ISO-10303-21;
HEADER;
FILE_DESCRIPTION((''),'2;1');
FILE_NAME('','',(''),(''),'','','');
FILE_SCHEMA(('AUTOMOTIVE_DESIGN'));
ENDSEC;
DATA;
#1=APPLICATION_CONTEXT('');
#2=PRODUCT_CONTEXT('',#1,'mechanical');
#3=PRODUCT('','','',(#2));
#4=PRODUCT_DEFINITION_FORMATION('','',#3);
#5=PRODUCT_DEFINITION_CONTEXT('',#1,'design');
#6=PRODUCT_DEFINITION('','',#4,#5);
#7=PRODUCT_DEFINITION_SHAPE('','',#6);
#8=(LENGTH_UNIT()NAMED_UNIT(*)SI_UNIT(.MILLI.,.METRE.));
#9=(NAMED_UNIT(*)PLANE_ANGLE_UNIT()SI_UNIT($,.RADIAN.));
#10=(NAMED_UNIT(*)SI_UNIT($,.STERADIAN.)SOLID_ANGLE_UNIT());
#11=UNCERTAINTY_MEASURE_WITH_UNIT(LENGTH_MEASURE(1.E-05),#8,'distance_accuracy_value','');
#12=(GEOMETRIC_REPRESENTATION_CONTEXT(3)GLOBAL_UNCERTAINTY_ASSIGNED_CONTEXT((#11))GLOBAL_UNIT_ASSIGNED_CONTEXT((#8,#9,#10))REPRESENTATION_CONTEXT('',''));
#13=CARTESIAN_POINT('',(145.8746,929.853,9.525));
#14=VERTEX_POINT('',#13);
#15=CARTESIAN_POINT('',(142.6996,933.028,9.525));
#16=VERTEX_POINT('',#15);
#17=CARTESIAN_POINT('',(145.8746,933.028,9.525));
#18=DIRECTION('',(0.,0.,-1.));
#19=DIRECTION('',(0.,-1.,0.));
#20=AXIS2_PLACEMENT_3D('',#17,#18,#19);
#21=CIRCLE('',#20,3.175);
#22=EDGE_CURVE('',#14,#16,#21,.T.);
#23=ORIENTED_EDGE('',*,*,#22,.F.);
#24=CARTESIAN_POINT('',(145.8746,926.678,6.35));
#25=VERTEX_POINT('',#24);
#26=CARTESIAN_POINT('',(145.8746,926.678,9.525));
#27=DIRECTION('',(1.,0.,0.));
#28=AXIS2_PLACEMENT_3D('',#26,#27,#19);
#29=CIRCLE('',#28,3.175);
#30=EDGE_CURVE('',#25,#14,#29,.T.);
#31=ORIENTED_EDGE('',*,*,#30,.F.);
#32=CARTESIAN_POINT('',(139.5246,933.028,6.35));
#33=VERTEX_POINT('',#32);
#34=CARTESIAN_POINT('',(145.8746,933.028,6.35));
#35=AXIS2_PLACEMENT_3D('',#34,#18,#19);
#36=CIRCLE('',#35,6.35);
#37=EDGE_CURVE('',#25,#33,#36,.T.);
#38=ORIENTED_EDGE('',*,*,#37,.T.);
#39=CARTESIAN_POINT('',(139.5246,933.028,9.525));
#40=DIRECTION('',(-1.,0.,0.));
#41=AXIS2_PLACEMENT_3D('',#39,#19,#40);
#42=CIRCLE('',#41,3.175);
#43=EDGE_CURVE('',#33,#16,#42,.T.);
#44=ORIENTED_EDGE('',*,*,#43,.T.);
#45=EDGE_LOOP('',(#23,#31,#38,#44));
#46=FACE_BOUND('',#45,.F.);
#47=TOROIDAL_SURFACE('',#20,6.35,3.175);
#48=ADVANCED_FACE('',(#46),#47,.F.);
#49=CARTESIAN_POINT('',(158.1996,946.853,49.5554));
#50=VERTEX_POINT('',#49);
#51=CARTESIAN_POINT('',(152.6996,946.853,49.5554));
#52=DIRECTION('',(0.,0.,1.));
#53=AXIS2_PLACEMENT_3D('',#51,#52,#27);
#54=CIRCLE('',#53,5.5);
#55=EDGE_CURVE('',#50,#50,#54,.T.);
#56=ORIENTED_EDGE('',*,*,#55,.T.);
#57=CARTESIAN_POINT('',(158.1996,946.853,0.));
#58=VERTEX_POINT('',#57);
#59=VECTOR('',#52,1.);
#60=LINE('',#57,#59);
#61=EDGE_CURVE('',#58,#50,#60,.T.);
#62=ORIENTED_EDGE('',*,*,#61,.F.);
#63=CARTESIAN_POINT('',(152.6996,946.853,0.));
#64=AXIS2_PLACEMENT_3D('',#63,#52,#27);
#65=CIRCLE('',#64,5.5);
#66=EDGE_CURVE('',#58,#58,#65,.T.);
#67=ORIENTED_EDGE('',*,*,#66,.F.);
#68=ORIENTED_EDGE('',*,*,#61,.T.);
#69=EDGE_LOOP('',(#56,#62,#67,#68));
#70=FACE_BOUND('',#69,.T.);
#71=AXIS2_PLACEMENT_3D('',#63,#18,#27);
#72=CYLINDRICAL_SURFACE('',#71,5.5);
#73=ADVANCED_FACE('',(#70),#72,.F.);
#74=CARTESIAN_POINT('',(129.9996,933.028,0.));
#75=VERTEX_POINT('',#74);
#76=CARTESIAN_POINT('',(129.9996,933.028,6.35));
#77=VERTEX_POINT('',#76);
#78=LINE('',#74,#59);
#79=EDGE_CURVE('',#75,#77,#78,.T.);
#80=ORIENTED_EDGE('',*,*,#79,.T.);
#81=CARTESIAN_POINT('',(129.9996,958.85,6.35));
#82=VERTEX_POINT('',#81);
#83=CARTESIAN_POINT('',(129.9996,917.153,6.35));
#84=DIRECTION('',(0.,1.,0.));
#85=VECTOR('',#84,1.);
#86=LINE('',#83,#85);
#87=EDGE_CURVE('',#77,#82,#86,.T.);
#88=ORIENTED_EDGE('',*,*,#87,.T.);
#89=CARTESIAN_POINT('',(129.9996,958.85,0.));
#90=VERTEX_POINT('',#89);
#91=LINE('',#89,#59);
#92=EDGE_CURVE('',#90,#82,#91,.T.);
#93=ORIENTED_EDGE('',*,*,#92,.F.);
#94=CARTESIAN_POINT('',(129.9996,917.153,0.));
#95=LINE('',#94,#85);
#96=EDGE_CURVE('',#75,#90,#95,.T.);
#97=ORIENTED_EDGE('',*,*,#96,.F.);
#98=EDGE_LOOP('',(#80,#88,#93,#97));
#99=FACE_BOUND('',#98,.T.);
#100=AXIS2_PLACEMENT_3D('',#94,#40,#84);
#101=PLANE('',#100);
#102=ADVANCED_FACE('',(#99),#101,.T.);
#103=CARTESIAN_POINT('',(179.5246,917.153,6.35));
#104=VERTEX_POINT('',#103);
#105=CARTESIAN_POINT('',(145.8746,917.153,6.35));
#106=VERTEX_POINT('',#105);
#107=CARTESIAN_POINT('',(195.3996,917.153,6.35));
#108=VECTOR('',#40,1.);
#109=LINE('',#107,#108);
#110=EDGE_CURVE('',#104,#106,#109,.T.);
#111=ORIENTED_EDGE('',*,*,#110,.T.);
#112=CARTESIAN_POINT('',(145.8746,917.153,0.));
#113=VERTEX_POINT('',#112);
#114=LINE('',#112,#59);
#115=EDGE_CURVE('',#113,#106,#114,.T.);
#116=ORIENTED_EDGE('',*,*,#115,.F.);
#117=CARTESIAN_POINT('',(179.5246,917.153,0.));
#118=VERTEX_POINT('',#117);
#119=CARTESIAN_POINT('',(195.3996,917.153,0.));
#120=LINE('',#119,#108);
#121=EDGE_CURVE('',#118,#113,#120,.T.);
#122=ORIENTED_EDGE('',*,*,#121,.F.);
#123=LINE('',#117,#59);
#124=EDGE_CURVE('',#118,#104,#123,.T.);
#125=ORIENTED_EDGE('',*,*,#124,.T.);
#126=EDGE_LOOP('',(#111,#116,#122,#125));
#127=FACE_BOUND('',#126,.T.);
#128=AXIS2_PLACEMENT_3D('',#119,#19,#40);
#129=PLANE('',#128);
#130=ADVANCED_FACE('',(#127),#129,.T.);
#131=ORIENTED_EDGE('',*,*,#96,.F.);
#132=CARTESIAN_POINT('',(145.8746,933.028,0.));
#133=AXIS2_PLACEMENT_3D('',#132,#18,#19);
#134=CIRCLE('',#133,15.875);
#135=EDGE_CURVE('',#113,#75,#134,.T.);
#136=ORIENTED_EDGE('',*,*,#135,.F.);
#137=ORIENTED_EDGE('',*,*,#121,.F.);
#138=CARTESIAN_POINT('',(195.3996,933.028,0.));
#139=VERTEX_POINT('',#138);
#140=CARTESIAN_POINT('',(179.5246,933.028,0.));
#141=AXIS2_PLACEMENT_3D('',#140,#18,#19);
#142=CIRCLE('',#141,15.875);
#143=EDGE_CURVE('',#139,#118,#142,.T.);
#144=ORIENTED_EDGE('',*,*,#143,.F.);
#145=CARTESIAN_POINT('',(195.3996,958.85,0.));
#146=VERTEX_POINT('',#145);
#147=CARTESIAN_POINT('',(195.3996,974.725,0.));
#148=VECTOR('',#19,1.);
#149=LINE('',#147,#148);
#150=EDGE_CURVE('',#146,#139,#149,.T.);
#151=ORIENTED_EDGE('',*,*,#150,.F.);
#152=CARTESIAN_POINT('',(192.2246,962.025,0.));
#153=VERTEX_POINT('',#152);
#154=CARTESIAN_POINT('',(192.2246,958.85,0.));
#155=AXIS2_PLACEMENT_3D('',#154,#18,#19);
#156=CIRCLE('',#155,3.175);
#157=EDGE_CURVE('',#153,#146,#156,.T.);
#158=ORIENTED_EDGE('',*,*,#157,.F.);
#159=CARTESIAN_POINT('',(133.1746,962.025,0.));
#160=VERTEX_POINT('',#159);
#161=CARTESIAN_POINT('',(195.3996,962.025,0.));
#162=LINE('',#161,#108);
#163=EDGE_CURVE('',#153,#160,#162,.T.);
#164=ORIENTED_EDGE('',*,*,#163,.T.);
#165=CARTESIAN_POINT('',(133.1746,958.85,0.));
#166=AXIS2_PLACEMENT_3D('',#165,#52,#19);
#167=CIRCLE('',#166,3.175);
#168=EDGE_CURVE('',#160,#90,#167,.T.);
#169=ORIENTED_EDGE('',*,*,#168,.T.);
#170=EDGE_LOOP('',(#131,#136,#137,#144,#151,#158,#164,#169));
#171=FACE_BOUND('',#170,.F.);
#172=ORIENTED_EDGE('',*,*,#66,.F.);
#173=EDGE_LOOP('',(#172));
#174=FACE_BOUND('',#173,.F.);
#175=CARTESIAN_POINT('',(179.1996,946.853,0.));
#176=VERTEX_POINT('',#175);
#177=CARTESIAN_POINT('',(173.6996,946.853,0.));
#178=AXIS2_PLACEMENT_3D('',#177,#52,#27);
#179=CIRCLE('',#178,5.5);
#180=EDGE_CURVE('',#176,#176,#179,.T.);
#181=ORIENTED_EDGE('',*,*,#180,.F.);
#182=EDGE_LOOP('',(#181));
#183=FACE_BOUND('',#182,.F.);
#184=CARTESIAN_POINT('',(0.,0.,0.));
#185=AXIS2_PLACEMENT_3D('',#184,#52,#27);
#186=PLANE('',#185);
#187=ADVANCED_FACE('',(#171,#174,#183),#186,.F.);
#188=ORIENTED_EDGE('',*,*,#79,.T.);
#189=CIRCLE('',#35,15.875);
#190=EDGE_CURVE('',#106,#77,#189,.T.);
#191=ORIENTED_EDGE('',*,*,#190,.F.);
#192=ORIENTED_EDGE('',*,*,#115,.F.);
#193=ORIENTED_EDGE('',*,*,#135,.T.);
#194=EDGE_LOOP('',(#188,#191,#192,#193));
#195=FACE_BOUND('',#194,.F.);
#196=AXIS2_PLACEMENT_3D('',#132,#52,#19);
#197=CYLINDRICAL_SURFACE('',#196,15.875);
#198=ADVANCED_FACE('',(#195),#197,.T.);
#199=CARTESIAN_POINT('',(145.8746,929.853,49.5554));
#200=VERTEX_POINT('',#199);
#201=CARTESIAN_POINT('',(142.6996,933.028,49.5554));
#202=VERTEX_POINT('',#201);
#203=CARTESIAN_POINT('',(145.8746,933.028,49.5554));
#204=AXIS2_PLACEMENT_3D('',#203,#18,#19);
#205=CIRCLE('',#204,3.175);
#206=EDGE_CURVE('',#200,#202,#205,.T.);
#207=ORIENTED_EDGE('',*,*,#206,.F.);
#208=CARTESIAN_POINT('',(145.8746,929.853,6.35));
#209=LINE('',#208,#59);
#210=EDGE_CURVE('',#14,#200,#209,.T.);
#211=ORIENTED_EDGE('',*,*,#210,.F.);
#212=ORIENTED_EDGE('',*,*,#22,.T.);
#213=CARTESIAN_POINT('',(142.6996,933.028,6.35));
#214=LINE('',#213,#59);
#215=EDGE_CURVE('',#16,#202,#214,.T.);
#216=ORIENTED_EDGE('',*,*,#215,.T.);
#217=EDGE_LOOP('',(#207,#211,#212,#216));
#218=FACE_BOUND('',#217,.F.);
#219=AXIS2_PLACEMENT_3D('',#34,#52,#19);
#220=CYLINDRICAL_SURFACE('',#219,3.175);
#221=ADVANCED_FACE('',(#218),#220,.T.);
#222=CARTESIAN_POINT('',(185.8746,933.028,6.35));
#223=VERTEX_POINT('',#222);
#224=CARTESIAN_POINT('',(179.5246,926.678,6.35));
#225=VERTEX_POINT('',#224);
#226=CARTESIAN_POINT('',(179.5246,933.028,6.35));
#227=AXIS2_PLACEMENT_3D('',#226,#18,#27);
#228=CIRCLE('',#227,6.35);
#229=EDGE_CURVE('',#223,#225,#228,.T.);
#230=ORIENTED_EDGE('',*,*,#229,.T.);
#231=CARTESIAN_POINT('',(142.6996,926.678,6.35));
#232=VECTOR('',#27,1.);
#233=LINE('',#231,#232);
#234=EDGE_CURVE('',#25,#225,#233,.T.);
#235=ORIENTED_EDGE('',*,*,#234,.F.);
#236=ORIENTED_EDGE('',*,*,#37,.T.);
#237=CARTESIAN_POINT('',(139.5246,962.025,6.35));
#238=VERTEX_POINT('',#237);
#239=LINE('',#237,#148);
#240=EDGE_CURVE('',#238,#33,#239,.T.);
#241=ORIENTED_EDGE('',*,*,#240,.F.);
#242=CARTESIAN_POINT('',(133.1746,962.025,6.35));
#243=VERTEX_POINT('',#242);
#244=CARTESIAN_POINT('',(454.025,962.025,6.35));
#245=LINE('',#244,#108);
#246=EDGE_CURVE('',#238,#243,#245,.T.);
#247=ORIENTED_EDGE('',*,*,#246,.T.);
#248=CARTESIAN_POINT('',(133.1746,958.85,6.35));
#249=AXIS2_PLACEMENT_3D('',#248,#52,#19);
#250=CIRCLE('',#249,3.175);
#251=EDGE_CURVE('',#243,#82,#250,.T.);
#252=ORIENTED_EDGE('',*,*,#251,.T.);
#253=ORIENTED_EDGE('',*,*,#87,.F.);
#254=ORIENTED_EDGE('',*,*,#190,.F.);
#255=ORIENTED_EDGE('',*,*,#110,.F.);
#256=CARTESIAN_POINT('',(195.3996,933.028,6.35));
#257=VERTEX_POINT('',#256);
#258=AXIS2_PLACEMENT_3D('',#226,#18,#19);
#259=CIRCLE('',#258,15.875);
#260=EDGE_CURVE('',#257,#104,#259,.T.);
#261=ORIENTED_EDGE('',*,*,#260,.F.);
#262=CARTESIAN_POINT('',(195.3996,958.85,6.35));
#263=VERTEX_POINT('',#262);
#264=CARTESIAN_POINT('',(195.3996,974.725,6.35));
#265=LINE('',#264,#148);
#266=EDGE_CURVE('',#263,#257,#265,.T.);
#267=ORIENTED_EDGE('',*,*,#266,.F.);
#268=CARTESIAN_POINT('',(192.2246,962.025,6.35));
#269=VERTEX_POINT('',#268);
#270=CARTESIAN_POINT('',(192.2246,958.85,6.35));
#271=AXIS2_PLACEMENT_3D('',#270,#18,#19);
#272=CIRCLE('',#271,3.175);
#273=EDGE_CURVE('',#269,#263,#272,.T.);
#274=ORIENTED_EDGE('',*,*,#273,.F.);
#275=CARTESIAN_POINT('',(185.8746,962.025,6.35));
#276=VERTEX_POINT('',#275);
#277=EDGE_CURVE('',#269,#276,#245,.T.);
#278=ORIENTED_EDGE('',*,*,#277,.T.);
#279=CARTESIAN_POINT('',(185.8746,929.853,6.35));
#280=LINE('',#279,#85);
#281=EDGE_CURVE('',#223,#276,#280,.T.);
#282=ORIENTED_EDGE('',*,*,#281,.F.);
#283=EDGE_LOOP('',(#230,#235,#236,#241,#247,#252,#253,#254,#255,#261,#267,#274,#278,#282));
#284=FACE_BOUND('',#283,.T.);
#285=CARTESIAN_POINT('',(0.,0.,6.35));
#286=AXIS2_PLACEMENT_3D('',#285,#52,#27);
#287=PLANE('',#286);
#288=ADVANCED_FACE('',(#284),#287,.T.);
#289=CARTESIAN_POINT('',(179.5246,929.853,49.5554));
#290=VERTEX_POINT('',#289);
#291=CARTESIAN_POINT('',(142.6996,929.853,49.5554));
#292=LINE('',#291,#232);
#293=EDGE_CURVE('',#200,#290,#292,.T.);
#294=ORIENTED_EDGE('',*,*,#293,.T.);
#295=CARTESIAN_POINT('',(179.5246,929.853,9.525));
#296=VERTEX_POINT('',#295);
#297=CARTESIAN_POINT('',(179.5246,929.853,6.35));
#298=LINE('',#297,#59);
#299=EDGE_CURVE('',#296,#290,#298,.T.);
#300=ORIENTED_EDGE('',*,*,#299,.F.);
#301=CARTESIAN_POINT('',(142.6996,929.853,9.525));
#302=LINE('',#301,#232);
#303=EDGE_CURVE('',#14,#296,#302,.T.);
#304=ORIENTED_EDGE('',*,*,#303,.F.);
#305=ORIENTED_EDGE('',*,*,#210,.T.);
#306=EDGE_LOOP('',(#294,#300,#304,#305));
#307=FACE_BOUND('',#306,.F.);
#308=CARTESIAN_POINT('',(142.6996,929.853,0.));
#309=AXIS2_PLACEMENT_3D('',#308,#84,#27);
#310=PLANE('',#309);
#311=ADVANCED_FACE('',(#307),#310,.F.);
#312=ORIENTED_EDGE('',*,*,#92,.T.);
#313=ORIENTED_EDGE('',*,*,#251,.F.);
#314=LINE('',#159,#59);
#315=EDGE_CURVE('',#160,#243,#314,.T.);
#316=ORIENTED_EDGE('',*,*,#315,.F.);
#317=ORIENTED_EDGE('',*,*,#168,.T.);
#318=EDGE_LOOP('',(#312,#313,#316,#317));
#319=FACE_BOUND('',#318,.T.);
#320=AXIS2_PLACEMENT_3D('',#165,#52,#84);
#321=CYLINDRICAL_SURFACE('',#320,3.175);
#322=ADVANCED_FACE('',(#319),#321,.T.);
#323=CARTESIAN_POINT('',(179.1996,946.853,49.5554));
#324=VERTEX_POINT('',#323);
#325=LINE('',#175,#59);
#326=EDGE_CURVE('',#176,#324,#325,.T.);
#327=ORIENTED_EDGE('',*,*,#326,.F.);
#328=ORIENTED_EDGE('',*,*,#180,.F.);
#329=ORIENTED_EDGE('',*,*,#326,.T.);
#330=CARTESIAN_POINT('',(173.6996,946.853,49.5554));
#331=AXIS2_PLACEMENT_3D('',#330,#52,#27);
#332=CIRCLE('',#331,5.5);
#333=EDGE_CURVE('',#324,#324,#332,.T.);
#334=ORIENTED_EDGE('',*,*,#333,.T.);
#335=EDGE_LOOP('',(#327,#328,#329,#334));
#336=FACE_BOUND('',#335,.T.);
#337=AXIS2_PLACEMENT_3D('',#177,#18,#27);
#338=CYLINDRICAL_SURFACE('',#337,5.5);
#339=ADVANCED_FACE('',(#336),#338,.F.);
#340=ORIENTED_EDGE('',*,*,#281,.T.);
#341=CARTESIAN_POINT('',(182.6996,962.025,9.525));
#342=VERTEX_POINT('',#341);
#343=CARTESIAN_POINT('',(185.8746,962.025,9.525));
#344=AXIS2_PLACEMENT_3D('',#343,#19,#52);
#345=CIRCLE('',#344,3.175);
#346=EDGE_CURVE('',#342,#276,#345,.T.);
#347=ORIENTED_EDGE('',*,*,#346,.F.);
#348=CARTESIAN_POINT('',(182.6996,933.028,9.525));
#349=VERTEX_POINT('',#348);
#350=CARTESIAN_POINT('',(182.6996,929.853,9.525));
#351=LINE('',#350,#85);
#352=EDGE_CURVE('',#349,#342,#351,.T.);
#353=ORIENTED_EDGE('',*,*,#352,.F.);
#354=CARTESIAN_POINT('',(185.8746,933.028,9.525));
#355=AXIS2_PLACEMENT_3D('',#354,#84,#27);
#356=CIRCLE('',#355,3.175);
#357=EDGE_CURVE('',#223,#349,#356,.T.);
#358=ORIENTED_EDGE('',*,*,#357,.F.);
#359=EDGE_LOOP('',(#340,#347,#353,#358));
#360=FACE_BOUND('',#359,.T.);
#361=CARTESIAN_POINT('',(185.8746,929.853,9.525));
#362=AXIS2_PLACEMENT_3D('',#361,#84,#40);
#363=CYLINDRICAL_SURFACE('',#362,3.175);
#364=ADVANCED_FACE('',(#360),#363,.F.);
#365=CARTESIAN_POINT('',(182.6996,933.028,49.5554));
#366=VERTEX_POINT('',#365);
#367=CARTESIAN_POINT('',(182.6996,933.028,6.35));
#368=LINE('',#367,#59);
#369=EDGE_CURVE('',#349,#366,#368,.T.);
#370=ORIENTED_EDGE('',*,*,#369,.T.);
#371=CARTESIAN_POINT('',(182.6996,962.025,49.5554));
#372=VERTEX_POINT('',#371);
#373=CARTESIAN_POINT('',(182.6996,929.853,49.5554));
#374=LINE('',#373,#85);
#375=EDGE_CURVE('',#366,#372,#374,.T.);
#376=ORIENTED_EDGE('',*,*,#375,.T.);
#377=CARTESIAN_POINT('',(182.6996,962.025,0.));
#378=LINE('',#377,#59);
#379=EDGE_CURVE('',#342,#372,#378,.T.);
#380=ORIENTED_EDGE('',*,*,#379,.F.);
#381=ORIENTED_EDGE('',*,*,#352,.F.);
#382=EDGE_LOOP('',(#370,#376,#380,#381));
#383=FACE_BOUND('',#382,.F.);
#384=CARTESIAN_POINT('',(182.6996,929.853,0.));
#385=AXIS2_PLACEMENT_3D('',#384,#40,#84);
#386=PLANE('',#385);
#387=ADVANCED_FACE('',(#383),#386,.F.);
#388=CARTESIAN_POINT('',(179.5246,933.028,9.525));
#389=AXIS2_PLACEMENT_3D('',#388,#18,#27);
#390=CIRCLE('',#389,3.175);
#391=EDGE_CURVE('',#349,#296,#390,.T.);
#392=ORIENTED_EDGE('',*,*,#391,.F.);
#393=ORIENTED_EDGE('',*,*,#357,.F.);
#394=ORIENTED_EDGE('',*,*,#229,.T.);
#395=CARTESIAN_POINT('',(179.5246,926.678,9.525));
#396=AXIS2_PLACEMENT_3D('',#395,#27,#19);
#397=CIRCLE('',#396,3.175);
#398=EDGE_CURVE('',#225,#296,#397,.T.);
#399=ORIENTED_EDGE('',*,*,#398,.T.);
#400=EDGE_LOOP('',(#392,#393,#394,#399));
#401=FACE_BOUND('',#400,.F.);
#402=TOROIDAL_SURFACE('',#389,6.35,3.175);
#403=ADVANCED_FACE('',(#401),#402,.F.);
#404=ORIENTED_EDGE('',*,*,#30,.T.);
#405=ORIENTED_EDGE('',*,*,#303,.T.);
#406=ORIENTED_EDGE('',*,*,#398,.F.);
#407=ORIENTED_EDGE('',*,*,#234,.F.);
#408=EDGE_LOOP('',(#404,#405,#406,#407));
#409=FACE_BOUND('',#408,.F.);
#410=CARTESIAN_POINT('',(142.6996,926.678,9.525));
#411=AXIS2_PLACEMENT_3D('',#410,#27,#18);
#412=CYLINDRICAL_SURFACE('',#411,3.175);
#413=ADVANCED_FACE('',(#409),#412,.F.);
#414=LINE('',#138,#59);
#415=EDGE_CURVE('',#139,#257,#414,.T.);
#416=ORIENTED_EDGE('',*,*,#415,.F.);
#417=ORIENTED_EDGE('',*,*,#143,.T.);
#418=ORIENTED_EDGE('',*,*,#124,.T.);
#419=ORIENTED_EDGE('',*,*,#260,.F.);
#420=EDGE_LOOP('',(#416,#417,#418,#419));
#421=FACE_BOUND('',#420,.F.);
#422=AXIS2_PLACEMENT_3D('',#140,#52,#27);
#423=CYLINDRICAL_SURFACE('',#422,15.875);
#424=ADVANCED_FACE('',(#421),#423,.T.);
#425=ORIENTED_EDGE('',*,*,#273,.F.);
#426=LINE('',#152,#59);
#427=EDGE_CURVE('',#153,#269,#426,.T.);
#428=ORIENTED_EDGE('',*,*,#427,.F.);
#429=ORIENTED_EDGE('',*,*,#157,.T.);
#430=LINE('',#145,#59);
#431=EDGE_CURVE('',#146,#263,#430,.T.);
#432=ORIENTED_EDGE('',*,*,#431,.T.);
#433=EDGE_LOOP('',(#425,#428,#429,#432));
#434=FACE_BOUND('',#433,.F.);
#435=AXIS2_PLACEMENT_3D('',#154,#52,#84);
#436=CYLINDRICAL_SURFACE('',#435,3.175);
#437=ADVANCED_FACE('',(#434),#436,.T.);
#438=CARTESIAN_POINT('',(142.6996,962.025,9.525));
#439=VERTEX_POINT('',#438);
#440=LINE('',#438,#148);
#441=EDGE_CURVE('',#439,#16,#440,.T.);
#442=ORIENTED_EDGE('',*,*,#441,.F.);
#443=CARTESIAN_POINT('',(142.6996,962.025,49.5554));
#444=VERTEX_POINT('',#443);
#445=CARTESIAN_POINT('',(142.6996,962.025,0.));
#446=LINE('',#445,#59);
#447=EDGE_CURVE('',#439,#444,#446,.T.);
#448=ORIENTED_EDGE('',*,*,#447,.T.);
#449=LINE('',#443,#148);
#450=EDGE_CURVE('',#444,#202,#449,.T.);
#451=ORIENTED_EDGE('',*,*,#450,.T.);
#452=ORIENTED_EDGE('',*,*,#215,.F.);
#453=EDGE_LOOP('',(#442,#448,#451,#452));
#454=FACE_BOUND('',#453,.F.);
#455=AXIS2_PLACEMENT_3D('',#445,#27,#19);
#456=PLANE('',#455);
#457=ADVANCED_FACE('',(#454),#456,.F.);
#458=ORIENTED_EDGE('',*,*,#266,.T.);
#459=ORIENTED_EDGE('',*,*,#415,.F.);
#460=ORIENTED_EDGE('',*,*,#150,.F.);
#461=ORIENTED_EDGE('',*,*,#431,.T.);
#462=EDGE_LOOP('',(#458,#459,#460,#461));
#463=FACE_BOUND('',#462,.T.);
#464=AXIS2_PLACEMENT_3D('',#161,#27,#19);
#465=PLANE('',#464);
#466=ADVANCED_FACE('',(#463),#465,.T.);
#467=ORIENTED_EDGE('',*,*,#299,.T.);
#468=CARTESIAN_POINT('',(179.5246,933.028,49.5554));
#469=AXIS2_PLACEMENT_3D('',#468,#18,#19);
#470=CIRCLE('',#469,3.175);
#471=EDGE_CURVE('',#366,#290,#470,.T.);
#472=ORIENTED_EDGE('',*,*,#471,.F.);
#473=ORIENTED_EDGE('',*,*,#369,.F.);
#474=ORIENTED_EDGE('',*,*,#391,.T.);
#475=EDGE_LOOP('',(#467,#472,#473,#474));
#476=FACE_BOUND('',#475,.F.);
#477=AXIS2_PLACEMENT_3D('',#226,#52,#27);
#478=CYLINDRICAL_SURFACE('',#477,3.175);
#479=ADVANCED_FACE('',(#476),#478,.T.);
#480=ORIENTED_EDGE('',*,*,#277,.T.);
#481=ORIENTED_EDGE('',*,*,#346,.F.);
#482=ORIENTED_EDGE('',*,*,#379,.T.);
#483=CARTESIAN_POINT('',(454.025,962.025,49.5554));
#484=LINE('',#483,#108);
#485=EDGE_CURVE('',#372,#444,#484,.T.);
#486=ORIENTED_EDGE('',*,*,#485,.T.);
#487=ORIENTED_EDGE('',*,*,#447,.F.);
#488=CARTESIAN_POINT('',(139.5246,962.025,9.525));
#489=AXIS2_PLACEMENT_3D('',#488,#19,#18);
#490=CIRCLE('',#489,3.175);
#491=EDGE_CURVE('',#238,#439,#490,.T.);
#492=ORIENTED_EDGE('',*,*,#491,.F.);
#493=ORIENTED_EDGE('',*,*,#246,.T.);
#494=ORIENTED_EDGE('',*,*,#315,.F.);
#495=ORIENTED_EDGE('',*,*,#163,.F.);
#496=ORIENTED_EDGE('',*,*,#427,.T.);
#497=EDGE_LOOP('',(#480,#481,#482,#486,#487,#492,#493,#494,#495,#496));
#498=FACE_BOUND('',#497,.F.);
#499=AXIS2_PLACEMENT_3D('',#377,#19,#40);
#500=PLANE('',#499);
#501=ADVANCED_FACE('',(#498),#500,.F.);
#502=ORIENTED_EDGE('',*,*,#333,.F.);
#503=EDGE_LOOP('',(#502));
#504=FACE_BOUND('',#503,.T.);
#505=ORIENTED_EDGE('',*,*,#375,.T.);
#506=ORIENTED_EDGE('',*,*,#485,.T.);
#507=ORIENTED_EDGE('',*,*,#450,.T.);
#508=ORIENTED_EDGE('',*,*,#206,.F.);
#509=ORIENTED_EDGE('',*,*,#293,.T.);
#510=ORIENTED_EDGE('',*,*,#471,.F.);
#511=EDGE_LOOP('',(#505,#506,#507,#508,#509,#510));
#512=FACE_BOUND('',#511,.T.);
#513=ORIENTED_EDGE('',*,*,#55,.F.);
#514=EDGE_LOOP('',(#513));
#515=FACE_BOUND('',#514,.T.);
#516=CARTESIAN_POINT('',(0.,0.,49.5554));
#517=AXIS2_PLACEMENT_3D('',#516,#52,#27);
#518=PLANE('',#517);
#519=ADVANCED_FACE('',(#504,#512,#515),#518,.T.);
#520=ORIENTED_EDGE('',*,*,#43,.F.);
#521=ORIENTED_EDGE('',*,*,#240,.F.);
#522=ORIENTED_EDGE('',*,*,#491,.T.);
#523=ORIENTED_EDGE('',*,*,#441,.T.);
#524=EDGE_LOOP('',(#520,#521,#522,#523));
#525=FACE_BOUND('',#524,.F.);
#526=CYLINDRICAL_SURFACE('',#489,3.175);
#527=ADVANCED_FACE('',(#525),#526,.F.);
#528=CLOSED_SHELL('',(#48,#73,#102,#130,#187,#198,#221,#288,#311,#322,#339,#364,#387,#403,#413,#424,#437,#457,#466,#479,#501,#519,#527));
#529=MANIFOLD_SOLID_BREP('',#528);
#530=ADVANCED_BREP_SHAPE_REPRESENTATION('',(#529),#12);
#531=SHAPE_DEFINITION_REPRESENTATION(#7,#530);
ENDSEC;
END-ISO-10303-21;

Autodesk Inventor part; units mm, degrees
ref_plane "YZ Plane" through (0, 0, 0) normal (1, 0, 0) x (0, 1, 0)
ref_plane "XZ Plane" through (0, 0, 0) normal (0, 1, 0) x (-1, 0, 0)
ref_plane "XY Plane" through (0, 0, 0) normal (0, 0, 1) x (1, 0, 0)
ref_plane "Work Plane1" through (0, 0, 0) normal (0, 0, 1) x (1, 0, 0)
sketch "Sketch1" plane through (0, 0, 0) normal (0, 0, 1) x (1, 0, 0)
  circle A0 centre (173.6996, 946.853) radius 5.5 projected
  circle A1 centre (152.6996, 946.853) radius 5.5 projected
  line L0 (454.025, 962.025) -> (-295.275, 962.025) projected
  line L1 (-295.275, 962.025) -> (-295.275, -1057.275) projected
  line L2 (-295.275, -1057.275) -> (454.025, -1057.275) projected
  line L3 (454.025, -1057.275) -> (454.025, 962.025) projected
  circle A2 centre (396.1257, -28.5814) radius 31.4325 projected
  line L4 (182.6996, 962.025) -> (142.6996, 962.025)
  line L5 (142.6996, 962.025) -> (142.6996, 929.853)
  line L6 (142.6996, 929.853) -> (182.6996, 929.853)
  line L7 (182.6996, 929.853) -> (182.6996, 962.025)
  line L8 (195.3996, 917.153) -> (129.9996, 917.153)
  line L9 (129.9996, 917.153) -> (129.9996, 974.725)
  line L10 (129.9996, 974.725) -> (195.3996, 974.725)
  line L11 (195.3996, 974.725) -> (195.3996, 917.153)
  point P0 (0, 0)
  point P1 (182.6996, 963.853)
  point P2 (129.9996, 962.025)
  point P3 (195.3996, 962.025)
  dimension "d0" = 12.7
extrude "Extrusion1" add sketch "Sketch1" along normal blind 49.5554 contours L7 L6 L5 L0
extrude "Extrusion2" add sketch "Sketch1" along normal blind 6.35 contours L0 L11 L8 L9 L5 L6 L7
fillet "Fillet1" radius 3.175 5 edges at (182.6996, 945.939, 6.35) (162.6996, 929.853, 6.35) (142.6996, 945.939, 6.35) (142.6996, 929.853, 27.9527) (182.6996, 929.853, 27.9527)
fillet "Fillet2" radius 3.175 2 edges at (129.9996, 962.025, 3.175) (195.3996, 962.025, 3.175)
fillet "Fillet3" radius 15.875 2 edges at (129.9996, 917.153, 3.175) (195.3996, 917.153, 3.175)
properties part number "BracketSpacer"
